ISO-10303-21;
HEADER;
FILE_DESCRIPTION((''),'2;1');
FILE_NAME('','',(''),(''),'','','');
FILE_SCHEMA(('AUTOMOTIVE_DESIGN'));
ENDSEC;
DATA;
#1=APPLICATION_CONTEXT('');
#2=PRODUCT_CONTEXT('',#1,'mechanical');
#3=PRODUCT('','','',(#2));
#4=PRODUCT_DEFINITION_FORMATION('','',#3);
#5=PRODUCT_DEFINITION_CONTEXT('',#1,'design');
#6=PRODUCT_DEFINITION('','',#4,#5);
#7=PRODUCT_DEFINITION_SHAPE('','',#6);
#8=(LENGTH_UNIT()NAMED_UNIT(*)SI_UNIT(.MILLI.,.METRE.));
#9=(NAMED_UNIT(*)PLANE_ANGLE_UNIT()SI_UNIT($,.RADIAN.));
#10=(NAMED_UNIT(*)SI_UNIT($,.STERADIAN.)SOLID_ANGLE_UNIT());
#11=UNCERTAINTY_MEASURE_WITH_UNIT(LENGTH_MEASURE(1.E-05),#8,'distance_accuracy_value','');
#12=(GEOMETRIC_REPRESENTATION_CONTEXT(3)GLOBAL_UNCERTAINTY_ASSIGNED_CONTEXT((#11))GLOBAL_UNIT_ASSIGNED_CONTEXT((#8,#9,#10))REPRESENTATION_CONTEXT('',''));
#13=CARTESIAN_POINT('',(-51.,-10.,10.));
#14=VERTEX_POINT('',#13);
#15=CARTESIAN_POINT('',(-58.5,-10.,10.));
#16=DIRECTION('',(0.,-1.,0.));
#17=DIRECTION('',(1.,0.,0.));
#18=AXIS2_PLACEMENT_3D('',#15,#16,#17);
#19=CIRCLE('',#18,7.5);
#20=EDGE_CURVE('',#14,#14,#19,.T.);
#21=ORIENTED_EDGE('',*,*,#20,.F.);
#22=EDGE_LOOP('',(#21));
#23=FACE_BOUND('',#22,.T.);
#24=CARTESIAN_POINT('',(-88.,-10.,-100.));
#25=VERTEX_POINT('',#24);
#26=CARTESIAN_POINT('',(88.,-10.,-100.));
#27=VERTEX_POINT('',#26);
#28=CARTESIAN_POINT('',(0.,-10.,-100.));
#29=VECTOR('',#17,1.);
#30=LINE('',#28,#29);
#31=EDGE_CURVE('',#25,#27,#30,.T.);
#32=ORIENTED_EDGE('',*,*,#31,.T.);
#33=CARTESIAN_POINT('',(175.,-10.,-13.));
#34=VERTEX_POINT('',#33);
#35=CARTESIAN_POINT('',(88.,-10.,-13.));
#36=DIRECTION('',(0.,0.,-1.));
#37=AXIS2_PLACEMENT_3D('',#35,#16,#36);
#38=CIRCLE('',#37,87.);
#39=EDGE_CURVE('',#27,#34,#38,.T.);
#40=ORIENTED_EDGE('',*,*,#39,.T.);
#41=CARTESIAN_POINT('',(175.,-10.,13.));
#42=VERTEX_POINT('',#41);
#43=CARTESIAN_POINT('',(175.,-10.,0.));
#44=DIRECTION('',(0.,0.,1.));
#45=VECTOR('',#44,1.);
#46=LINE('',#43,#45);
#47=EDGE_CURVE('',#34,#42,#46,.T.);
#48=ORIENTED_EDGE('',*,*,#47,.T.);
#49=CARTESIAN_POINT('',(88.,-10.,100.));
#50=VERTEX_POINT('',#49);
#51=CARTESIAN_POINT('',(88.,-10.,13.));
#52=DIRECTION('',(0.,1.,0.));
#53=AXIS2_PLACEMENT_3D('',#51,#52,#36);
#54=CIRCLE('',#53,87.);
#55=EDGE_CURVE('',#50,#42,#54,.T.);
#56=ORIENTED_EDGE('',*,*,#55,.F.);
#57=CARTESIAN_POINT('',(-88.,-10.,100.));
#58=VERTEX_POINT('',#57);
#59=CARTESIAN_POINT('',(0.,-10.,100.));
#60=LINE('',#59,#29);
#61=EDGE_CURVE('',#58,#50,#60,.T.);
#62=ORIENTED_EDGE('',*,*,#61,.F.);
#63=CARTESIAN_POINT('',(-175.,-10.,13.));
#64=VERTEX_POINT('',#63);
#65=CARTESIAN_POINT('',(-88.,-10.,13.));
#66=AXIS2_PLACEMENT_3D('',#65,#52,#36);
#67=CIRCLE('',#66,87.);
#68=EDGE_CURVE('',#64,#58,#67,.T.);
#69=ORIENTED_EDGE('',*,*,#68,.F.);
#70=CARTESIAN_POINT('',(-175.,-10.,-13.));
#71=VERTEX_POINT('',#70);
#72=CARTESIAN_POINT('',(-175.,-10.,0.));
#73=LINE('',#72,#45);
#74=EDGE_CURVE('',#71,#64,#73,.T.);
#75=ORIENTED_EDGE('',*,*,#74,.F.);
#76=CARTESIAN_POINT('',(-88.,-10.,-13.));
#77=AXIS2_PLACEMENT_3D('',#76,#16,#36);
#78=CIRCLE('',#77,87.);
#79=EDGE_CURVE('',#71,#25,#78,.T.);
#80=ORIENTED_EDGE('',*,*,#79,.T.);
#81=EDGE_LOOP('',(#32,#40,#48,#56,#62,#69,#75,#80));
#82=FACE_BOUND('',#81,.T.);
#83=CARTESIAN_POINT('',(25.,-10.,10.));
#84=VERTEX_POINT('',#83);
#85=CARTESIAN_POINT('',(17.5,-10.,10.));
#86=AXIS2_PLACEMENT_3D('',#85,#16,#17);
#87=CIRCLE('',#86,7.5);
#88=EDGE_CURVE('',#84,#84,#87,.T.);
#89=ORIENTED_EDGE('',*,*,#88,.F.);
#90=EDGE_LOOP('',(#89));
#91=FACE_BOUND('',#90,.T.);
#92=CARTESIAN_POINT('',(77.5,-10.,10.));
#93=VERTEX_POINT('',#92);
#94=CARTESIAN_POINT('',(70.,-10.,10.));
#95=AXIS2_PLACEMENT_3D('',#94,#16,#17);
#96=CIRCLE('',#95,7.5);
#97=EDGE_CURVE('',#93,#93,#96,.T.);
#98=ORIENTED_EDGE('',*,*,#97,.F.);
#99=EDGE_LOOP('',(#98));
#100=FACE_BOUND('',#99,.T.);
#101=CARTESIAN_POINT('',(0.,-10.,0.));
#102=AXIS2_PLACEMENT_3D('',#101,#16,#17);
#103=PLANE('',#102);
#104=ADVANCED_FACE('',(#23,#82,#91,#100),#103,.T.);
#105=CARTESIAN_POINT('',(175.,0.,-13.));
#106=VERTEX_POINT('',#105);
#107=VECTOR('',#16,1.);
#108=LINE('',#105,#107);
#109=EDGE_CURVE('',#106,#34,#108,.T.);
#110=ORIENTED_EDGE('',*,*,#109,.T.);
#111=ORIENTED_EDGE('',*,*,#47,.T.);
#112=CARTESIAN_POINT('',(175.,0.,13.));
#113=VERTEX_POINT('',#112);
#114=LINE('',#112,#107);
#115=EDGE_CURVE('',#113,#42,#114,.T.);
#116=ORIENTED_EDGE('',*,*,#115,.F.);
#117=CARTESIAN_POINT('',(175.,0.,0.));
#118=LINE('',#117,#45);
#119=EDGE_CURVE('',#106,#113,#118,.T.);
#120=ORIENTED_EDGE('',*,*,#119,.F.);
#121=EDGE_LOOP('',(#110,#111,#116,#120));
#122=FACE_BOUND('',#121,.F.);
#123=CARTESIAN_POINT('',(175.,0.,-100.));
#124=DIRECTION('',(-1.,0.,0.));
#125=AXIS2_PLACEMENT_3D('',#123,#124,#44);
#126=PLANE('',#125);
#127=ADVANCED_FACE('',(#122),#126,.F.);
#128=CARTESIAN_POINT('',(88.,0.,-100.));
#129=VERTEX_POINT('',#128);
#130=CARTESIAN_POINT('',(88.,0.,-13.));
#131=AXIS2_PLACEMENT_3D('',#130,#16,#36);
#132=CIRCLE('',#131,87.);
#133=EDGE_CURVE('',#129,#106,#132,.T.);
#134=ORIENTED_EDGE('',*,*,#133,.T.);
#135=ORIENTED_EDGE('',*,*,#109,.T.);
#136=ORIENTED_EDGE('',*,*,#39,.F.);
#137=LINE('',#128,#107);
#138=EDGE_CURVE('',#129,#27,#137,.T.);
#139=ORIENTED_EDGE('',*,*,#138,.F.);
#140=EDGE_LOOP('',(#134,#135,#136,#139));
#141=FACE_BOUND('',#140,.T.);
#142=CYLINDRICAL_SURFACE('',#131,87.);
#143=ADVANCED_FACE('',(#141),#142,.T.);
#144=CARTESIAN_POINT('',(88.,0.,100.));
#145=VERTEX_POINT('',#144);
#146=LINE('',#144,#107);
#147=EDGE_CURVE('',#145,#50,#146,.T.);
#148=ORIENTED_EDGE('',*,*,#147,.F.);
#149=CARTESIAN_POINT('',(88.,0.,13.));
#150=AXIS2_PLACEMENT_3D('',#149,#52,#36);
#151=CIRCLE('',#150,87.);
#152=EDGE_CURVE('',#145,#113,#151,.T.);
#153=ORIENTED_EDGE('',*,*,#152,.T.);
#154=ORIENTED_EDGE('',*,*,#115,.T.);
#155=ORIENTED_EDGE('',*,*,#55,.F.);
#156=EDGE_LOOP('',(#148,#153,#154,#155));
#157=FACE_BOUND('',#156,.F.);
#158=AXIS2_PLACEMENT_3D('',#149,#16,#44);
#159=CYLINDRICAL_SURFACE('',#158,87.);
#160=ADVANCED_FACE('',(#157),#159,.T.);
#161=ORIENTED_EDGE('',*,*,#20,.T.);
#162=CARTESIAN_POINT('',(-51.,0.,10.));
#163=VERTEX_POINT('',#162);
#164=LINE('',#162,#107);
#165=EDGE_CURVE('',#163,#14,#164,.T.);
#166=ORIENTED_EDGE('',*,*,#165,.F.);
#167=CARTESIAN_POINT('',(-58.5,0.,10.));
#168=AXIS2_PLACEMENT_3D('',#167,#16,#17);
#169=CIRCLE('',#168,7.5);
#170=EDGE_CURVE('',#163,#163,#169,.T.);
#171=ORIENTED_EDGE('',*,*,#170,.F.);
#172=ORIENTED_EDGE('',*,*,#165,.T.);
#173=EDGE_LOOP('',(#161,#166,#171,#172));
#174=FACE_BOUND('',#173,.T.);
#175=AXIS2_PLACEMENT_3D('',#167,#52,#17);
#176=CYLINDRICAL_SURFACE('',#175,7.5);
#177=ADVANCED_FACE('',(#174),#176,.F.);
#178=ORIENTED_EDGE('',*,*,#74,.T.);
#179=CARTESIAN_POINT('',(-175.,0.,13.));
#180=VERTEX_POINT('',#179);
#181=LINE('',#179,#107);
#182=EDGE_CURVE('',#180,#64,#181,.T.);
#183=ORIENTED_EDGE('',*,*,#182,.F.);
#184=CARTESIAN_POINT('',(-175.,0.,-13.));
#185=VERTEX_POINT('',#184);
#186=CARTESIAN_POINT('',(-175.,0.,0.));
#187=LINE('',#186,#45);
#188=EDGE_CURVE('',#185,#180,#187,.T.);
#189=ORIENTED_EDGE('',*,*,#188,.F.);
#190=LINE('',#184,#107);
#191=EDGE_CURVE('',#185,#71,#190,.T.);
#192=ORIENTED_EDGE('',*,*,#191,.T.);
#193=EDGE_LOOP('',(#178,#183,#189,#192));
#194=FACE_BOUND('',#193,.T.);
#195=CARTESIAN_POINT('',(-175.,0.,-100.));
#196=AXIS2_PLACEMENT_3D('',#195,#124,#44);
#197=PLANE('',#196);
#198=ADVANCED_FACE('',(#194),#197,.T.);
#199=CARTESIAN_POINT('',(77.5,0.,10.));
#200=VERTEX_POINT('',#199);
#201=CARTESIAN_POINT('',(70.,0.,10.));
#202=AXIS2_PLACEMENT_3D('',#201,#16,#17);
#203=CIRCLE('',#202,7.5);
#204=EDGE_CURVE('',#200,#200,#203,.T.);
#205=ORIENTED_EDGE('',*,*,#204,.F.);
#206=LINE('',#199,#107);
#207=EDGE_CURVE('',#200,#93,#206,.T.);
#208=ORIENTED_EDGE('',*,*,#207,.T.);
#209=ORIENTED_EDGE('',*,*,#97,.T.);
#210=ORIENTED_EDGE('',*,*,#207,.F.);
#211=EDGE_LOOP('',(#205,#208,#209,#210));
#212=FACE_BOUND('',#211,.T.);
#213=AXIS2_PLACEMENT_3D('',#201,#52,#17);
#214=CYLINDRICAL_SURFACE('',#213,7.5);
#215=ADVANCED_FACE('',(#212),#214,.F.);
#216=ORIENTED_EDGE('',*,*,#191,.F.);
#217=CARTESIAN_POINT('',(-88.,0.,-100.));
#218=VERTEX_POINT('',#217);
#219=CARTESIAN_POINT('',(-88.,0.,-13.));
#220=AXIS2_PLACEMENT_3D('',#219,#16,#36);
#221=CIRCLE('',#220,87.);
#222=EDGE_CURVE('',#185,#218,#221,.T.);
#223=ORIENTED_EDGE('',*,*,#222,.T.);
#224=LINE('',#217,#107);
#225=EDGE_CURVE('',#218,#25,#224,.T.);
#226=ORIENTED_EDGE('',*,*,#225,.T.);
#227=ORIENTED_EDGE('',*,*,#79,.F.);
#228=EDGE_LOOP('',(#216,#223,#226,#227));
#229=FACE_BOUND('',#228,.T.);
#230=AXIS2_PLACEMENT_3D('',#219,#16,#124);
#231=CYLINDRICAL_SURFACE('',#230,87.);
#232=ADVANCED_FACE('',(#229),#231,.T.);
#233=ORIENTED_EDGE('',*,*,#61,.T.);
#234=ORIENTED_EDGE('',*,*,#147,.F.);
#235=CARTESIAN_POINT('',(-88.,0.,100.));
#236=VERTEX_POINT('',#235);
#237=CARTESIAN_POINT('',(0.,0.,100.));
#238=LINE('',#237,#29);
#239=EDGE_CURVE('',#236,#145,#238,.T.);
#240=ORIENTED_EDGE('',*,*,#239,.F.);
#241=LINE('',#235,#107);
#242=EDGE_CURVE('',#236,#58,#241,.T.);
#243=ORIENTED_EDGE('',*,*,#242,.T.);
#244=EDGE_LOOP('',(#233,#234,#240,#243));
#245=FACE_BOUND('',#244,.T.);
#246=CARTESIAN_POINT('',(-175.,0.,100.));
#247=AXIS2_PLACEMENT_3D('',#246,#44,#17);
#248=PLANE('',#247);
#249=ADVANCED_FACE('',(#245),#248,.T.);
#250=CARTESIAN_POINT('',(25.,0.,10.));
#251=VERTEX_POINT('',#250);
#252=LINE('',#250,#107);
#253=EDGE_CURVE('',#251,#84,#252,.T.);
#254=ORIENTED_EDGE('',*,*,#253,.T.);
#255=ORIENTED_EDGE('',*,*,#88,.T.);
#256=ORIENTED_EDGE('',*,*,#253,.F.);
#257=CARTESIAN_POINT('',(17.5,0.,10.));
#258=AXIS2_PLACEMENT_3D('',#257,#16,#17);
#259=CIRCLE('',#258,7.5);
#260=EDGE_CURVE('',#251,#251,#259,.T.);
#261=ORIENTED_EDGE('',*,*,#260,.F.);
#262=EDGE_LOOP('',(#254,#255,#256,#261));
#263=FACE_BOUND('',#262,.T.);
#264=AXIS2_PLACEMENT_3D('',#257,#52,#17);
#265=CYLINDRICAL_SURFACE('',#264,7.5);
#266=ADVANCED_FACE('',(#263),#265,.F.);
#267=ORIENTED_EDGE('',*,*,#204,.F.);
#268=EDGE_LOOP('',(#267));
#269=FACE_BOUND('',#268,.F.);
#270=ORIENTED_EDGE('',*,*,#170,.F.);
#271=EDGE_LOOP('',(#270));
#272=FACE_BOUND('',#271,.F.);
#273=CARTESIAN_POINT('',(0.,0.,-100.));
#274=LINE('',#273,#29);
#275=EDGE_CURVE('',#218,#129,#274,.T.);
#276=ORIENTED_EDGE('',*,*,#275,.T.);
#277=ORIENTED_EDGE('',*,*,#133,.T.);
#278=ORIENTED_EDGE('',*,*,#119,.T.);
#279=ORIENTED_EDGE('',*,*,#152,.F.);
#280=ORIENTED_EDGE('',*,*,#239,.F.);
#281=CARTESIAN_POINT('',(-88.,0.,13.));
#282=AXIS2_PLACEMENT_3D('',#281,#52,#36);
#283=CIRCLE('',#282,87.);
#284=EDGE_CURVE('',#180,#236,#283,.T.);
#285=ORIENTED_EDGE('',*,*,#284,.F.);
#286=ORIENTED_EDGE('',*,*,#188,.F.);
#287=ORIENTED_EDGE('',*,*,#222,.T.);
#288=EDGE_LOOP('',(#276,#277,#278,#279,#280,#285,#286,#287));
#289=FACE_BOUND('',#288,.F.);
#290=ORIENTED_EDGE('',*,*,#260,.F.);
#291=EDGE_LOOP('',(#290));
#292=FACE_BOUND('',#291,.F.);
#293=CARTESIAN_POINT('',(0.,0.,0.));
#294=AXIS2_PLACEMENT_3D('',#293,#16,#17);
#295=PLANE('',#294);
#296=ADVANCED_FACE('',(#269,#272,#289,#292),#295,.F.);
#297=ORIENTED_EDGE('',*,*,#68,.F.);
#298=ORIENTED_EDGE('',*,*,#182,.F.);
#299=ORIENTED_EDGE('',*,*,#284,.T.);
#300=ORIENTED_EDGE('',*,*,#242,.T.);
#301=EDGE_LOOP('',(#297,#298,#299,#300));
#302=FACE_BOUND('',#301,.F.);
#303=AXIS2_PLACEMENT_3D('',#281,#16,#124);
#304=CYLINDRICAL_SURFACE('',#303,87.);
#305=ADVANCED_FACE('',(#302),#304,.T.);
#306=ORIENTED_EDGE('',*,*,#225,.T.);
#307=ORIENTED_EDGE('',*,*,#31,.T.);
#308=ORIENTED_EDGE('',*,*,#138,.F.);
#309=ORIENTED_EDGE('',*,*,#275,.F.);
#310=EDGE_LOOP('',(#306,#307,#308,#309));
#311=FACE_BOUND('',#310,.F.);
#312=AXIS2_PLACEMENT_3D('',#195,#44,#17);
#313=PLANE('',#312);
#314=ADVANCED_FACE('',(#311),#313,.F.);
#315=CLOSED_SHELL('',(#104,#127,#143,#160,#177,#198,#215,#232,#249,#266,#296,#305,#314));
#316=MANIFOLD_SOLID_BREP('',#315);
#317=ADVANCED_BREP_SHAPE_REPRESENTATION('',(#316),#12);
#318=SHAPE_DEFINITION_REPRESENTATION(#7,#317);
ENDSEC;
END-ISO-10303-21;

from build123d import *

# Parameters (mm, degrees)
F0_W     = 350
F0_H     = 200
F0_R     = 7.5
F1_DEPTH = 10
F2_R     = 87


with BuildPart() as f1:
    # F0 (on Front) → F1 (new body)
    with BuildSketch(Plane.XZ):
        Rectangle(F0_W, F0_H)
        with Locations((-58.5, 10)):
            Circle(F0_R, mode=Mode.SUBTRACT)
        with Locations((17.5, 10)):
            Circle(F0_R, mode=Mode.SUBTRACT)
        with Locations((70, 10)):
            Circle(F0_R, mode=Mode.SUBTRACT)
    extrude(amount=F1_DEPTH)

    # F2
    f2_edges = [f1.edges().sort_by_distance(p)[0] for p in [
        (175, -5, 100),
        (-175, -5, 100),
        (-175, -5, -100),
        (175, -5, -100),
    ]]
    fillet(f2_edges, radius=F2_R)


solid = f1.part
